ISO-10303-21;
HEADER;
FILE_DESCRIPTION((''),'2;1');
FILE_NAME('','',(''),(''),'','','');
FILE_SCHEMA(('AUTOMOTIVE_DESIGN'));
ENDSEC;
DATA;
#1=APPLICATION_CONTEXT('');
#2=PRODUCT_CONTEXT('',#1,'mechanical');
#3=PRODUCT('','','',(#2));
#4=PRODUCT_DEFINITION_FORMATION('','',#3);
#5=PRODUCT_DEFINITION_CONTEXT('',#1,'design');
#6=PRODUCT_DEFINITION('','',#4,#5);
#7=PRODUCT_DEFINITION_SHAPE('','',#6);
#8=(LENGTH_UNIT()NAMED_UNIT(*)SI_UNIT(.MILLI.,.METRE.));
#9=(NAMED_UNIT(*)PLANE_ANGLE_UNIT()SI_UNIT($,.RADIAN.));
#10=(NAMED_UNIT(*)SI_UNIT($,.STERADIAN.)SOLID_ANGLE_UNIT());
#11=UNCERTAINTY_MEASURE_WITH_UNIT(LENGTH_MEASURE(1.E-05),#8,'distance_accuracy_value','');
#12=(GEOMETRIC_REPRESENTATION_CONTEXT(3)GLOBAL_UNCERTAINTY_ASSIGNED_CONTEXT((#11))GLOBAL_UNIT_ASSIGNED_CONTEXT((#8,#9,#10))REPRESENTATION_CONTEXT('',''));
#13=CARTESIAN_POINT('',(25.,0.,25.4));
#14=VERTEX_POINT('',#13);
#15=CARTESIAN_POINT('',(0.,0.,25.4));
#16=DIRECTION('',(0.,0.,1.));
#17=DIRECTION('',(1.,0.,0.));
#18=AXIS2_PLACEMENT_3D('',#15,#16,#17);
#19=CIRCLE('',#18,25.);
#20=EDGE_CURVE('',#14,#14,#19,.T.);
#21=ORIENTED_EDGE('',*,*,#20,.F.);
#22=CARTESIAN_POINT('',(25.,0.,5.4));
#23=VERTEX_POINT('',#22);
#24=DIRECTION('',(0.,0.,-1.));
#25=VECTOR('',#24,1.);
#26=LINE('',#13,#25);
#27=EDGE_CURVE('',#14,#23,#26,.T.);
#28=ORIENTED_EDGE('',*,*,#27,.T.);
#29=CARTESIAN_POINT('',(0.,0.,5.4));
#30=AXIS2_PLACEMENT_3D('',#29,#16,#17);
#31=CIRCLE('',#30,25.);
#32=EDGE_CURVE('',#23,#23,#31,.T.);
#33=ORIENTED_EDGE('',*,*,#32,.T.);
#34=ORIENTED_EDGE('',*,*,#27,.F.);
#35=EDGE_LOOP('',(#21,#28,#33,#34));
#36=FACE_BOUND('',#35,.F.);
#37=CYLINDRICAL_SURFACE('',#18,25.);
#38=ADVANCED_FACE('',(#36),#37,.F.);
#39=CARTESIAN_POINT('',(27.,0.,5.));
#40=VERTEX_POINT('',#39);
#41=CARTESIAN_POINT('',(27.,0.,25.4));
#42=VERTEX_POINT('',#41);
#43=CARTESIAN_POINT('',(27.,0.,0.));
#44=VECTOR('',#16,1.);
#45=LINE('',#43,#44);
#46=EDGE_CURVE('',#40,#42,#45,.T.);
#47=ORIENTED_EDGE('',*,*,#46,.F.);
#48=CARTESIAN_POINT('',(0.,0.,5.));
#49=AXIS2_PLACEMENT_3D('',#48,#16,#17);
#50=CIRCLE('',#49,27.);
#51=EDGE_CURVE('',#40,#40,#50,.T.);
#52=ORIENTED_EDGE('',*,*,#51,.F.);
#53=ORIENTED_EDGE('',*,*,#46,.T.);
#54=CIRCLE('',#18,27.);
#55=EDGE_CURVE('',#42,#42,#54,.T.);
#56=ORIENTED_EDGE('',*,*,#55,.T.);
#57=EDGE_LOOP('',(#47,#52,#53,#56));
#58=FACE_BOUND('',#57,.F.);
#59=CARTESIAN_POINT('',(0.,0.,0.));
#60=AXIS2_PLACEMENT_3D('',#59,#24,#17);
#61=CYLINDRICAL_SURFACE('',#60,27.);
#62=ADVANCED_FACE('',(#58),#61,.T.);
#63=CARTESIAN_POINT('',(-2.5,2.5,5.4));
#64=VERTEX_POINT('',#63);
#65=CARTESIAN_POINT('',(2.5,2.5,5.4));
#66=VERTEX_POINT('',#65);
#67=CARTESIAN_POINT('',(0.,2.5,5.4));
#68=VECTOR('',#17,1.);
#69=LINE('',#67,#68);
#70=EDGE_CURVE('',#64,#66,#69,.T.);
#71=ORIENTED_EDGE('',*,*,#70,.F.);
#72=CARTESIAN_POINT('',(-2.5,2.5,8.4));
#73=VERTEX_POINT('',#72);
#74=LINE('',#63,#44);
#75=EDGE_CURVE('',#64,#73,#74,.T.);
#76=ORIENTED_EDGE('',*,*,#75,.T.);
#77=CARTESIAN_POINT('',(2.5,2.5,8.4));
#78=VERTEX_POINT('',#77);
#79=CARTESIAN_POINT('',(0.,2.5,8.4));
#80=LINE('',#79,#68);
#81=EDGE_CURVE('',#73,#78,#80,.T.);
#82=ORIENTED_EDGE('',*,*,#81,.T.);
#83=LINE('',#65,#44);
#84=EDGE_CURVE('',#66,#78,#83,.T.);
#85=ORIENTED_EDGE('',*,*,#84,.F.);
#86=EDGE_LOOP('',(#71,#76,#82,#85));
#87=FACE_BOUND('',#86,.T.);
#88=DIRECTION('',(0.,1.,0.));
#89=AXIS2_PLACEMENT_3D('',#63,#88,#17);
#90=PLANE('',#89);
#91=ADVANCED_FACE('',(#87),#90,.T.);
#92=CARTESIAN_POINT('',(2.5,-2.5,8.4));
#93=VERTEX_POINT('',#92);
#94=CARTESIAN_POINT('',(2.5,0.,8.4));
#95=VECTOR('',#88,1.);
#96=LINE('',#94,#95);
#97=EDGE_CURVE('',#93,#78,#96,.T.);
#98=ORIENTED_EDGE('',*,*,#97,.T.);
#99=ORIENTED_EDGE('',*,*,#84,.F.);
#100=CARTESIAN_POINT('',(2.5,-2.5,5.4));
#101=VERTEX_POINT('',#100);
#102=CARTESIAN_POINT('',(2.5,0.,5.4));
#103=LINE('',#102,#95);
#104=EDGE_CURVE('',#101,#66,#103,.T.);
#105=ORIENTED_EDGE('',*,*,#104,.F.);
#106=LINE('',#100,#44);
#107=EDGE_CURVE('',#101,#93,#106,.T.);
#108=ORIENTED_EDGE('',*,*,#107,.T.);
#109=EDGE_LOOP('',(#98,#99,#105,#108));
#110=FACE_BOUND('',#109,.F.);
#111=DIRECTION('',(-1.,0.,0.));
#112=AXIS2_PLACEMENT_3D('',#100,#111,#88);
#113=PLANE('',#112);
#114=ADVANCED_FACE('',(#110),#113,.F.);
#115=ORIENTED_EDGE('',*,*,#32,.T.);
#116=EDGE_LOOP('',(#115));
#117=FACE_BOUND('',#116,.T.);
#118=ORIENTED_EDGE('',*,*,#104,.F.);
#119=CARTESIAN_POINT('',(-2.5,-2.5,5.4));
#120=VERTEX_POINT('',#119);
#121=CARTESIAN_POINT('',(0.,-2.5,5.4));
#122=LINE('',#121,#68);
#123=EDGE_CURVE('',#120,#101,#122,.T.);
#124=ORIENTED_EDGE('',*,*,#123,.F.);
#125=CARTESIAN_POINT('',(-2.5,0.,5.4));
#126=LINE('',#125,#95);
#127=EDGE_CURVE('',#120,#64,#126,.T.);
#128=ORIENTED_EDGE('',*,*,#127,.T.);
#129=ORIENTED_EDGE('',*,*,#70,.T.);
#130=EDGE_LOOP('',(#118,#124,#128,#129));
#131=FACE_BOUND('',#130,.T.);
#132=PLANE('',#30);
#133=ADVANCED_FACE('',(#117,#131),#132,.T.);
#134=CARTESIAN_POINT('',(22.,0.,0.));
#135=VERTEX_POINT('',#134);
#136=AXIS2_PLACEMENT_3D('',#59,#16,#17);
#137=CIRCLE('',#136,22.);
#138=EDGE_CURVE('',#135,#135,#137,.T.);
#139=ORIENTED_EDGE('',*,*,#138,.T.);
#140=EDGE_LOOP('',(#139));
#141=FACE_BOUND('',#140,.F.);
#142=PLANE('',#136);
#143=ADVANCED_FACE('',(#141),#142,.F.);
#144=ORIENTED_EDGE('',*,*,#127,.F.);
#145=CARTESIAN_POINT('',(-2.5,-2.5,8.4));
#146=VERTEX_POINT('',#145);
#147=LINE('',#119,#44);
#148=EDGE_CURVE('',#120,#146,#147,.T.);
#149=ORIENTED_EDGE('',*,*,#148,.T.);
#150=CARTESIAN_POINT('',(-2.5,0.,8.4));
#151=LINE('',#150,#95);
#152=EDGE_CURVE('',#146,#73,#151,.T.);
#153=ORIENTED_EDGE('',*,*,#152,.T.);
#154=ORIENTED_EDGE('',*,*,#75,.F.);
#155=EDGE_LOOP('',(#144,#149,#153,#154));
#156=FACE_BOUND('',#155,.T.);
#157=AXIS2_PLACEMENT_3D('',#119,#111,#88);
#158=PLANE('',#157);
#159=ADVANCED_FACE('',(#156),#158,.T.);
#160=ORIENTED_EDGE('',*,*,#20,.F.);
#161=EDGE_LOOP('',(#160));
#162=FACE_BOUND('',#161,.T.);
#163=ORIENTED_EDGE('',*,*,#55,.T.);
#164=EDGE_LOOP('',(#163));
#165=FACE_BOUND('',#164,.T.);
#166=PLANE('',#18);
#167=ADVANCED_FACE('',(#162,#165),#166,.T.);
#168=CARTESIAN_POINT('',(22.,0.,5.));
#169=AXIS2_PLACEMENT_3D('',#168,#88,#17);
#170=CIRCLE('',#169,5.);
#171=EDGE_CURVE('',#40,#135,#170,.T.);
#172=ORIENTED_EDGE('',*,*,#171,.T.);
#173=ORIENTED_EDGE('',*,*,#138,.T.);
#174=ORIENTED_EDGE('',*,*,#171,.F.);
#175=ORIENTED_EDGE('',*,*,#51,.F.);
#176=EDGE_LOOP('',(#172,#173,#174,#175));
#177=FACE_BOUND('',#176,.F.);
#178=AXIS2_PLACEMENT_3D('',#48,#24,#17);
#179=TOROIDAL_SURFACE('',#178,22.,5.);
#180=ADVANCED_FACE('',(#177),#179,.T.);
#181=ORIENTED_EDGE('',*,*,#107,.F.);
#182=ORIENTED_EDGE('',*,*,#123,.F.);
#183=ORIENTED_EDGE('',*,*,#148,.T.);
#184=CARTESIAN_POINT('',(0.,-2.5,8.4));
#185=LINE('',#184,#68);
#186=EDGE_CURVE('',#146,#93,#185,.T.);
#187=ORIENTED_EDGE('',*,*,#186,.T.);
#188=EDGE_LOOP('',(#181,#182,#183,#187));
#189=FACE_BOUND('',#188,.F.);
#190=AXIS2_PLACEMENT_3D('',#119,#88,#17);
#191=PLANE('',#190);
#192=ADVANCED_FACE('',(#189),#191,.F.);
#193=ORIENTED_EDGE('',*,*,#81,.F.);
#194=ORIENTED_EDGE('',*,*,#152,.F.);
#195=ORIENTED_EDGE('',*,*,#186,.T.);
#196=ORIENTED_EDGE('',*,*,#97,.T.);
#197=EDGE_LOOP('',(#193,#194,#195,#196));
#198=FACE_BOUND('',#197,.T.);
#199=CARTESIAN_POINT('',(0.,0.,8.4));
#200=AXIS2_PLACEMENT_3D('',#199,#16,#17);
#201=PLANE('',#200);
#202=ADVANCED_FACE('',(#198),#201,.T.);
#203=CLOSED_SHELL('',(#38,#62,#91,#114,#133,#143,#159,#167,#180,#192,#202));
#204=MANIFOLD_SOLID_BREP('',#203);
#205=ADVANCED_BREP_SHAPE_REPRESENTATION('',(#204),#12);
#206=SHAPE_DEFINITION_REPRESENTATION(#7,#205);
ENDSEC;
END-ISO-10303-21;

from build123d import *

# Parameters (mm, degrees)
F0_R     = 27
F5_DEPTH = 25.4
F1_R     = 25
F2_DEPTH = 20
F3_R     = 5
F4_W     = 5
F4_H     = 5
F6_DEPTH = 3


with BuildPart() as f5:
    # F0 (on Top) → F5 (new body)
    with BuildSketch(Plane.XY):
        Circle(F0_R)
    extrude(amount=F5_DEPTH)

    # F1 (on face) → F2 (cut)
    with BuildSketch(Plane.XY.offset(25.4)):
        Circle(F1_R)
    extrude(amount=-F2_DEPTH, mode=Mode.SUBTRACT)

    # F3
    f3_edges = [f5.edges().sort_by_distance(p)[0] for p in [
        (-27, 0, 0),
    ]]
    fillet(f3_edges, radius=F3_R)

    # F4 (on face) → F6 (join)
    with BuildSketch(Plane.XY.offset(5.4)):
        Rectangle(F4_W, F4_H)
    extrude(amount=F6_DEPTH)


solid = f5.part
